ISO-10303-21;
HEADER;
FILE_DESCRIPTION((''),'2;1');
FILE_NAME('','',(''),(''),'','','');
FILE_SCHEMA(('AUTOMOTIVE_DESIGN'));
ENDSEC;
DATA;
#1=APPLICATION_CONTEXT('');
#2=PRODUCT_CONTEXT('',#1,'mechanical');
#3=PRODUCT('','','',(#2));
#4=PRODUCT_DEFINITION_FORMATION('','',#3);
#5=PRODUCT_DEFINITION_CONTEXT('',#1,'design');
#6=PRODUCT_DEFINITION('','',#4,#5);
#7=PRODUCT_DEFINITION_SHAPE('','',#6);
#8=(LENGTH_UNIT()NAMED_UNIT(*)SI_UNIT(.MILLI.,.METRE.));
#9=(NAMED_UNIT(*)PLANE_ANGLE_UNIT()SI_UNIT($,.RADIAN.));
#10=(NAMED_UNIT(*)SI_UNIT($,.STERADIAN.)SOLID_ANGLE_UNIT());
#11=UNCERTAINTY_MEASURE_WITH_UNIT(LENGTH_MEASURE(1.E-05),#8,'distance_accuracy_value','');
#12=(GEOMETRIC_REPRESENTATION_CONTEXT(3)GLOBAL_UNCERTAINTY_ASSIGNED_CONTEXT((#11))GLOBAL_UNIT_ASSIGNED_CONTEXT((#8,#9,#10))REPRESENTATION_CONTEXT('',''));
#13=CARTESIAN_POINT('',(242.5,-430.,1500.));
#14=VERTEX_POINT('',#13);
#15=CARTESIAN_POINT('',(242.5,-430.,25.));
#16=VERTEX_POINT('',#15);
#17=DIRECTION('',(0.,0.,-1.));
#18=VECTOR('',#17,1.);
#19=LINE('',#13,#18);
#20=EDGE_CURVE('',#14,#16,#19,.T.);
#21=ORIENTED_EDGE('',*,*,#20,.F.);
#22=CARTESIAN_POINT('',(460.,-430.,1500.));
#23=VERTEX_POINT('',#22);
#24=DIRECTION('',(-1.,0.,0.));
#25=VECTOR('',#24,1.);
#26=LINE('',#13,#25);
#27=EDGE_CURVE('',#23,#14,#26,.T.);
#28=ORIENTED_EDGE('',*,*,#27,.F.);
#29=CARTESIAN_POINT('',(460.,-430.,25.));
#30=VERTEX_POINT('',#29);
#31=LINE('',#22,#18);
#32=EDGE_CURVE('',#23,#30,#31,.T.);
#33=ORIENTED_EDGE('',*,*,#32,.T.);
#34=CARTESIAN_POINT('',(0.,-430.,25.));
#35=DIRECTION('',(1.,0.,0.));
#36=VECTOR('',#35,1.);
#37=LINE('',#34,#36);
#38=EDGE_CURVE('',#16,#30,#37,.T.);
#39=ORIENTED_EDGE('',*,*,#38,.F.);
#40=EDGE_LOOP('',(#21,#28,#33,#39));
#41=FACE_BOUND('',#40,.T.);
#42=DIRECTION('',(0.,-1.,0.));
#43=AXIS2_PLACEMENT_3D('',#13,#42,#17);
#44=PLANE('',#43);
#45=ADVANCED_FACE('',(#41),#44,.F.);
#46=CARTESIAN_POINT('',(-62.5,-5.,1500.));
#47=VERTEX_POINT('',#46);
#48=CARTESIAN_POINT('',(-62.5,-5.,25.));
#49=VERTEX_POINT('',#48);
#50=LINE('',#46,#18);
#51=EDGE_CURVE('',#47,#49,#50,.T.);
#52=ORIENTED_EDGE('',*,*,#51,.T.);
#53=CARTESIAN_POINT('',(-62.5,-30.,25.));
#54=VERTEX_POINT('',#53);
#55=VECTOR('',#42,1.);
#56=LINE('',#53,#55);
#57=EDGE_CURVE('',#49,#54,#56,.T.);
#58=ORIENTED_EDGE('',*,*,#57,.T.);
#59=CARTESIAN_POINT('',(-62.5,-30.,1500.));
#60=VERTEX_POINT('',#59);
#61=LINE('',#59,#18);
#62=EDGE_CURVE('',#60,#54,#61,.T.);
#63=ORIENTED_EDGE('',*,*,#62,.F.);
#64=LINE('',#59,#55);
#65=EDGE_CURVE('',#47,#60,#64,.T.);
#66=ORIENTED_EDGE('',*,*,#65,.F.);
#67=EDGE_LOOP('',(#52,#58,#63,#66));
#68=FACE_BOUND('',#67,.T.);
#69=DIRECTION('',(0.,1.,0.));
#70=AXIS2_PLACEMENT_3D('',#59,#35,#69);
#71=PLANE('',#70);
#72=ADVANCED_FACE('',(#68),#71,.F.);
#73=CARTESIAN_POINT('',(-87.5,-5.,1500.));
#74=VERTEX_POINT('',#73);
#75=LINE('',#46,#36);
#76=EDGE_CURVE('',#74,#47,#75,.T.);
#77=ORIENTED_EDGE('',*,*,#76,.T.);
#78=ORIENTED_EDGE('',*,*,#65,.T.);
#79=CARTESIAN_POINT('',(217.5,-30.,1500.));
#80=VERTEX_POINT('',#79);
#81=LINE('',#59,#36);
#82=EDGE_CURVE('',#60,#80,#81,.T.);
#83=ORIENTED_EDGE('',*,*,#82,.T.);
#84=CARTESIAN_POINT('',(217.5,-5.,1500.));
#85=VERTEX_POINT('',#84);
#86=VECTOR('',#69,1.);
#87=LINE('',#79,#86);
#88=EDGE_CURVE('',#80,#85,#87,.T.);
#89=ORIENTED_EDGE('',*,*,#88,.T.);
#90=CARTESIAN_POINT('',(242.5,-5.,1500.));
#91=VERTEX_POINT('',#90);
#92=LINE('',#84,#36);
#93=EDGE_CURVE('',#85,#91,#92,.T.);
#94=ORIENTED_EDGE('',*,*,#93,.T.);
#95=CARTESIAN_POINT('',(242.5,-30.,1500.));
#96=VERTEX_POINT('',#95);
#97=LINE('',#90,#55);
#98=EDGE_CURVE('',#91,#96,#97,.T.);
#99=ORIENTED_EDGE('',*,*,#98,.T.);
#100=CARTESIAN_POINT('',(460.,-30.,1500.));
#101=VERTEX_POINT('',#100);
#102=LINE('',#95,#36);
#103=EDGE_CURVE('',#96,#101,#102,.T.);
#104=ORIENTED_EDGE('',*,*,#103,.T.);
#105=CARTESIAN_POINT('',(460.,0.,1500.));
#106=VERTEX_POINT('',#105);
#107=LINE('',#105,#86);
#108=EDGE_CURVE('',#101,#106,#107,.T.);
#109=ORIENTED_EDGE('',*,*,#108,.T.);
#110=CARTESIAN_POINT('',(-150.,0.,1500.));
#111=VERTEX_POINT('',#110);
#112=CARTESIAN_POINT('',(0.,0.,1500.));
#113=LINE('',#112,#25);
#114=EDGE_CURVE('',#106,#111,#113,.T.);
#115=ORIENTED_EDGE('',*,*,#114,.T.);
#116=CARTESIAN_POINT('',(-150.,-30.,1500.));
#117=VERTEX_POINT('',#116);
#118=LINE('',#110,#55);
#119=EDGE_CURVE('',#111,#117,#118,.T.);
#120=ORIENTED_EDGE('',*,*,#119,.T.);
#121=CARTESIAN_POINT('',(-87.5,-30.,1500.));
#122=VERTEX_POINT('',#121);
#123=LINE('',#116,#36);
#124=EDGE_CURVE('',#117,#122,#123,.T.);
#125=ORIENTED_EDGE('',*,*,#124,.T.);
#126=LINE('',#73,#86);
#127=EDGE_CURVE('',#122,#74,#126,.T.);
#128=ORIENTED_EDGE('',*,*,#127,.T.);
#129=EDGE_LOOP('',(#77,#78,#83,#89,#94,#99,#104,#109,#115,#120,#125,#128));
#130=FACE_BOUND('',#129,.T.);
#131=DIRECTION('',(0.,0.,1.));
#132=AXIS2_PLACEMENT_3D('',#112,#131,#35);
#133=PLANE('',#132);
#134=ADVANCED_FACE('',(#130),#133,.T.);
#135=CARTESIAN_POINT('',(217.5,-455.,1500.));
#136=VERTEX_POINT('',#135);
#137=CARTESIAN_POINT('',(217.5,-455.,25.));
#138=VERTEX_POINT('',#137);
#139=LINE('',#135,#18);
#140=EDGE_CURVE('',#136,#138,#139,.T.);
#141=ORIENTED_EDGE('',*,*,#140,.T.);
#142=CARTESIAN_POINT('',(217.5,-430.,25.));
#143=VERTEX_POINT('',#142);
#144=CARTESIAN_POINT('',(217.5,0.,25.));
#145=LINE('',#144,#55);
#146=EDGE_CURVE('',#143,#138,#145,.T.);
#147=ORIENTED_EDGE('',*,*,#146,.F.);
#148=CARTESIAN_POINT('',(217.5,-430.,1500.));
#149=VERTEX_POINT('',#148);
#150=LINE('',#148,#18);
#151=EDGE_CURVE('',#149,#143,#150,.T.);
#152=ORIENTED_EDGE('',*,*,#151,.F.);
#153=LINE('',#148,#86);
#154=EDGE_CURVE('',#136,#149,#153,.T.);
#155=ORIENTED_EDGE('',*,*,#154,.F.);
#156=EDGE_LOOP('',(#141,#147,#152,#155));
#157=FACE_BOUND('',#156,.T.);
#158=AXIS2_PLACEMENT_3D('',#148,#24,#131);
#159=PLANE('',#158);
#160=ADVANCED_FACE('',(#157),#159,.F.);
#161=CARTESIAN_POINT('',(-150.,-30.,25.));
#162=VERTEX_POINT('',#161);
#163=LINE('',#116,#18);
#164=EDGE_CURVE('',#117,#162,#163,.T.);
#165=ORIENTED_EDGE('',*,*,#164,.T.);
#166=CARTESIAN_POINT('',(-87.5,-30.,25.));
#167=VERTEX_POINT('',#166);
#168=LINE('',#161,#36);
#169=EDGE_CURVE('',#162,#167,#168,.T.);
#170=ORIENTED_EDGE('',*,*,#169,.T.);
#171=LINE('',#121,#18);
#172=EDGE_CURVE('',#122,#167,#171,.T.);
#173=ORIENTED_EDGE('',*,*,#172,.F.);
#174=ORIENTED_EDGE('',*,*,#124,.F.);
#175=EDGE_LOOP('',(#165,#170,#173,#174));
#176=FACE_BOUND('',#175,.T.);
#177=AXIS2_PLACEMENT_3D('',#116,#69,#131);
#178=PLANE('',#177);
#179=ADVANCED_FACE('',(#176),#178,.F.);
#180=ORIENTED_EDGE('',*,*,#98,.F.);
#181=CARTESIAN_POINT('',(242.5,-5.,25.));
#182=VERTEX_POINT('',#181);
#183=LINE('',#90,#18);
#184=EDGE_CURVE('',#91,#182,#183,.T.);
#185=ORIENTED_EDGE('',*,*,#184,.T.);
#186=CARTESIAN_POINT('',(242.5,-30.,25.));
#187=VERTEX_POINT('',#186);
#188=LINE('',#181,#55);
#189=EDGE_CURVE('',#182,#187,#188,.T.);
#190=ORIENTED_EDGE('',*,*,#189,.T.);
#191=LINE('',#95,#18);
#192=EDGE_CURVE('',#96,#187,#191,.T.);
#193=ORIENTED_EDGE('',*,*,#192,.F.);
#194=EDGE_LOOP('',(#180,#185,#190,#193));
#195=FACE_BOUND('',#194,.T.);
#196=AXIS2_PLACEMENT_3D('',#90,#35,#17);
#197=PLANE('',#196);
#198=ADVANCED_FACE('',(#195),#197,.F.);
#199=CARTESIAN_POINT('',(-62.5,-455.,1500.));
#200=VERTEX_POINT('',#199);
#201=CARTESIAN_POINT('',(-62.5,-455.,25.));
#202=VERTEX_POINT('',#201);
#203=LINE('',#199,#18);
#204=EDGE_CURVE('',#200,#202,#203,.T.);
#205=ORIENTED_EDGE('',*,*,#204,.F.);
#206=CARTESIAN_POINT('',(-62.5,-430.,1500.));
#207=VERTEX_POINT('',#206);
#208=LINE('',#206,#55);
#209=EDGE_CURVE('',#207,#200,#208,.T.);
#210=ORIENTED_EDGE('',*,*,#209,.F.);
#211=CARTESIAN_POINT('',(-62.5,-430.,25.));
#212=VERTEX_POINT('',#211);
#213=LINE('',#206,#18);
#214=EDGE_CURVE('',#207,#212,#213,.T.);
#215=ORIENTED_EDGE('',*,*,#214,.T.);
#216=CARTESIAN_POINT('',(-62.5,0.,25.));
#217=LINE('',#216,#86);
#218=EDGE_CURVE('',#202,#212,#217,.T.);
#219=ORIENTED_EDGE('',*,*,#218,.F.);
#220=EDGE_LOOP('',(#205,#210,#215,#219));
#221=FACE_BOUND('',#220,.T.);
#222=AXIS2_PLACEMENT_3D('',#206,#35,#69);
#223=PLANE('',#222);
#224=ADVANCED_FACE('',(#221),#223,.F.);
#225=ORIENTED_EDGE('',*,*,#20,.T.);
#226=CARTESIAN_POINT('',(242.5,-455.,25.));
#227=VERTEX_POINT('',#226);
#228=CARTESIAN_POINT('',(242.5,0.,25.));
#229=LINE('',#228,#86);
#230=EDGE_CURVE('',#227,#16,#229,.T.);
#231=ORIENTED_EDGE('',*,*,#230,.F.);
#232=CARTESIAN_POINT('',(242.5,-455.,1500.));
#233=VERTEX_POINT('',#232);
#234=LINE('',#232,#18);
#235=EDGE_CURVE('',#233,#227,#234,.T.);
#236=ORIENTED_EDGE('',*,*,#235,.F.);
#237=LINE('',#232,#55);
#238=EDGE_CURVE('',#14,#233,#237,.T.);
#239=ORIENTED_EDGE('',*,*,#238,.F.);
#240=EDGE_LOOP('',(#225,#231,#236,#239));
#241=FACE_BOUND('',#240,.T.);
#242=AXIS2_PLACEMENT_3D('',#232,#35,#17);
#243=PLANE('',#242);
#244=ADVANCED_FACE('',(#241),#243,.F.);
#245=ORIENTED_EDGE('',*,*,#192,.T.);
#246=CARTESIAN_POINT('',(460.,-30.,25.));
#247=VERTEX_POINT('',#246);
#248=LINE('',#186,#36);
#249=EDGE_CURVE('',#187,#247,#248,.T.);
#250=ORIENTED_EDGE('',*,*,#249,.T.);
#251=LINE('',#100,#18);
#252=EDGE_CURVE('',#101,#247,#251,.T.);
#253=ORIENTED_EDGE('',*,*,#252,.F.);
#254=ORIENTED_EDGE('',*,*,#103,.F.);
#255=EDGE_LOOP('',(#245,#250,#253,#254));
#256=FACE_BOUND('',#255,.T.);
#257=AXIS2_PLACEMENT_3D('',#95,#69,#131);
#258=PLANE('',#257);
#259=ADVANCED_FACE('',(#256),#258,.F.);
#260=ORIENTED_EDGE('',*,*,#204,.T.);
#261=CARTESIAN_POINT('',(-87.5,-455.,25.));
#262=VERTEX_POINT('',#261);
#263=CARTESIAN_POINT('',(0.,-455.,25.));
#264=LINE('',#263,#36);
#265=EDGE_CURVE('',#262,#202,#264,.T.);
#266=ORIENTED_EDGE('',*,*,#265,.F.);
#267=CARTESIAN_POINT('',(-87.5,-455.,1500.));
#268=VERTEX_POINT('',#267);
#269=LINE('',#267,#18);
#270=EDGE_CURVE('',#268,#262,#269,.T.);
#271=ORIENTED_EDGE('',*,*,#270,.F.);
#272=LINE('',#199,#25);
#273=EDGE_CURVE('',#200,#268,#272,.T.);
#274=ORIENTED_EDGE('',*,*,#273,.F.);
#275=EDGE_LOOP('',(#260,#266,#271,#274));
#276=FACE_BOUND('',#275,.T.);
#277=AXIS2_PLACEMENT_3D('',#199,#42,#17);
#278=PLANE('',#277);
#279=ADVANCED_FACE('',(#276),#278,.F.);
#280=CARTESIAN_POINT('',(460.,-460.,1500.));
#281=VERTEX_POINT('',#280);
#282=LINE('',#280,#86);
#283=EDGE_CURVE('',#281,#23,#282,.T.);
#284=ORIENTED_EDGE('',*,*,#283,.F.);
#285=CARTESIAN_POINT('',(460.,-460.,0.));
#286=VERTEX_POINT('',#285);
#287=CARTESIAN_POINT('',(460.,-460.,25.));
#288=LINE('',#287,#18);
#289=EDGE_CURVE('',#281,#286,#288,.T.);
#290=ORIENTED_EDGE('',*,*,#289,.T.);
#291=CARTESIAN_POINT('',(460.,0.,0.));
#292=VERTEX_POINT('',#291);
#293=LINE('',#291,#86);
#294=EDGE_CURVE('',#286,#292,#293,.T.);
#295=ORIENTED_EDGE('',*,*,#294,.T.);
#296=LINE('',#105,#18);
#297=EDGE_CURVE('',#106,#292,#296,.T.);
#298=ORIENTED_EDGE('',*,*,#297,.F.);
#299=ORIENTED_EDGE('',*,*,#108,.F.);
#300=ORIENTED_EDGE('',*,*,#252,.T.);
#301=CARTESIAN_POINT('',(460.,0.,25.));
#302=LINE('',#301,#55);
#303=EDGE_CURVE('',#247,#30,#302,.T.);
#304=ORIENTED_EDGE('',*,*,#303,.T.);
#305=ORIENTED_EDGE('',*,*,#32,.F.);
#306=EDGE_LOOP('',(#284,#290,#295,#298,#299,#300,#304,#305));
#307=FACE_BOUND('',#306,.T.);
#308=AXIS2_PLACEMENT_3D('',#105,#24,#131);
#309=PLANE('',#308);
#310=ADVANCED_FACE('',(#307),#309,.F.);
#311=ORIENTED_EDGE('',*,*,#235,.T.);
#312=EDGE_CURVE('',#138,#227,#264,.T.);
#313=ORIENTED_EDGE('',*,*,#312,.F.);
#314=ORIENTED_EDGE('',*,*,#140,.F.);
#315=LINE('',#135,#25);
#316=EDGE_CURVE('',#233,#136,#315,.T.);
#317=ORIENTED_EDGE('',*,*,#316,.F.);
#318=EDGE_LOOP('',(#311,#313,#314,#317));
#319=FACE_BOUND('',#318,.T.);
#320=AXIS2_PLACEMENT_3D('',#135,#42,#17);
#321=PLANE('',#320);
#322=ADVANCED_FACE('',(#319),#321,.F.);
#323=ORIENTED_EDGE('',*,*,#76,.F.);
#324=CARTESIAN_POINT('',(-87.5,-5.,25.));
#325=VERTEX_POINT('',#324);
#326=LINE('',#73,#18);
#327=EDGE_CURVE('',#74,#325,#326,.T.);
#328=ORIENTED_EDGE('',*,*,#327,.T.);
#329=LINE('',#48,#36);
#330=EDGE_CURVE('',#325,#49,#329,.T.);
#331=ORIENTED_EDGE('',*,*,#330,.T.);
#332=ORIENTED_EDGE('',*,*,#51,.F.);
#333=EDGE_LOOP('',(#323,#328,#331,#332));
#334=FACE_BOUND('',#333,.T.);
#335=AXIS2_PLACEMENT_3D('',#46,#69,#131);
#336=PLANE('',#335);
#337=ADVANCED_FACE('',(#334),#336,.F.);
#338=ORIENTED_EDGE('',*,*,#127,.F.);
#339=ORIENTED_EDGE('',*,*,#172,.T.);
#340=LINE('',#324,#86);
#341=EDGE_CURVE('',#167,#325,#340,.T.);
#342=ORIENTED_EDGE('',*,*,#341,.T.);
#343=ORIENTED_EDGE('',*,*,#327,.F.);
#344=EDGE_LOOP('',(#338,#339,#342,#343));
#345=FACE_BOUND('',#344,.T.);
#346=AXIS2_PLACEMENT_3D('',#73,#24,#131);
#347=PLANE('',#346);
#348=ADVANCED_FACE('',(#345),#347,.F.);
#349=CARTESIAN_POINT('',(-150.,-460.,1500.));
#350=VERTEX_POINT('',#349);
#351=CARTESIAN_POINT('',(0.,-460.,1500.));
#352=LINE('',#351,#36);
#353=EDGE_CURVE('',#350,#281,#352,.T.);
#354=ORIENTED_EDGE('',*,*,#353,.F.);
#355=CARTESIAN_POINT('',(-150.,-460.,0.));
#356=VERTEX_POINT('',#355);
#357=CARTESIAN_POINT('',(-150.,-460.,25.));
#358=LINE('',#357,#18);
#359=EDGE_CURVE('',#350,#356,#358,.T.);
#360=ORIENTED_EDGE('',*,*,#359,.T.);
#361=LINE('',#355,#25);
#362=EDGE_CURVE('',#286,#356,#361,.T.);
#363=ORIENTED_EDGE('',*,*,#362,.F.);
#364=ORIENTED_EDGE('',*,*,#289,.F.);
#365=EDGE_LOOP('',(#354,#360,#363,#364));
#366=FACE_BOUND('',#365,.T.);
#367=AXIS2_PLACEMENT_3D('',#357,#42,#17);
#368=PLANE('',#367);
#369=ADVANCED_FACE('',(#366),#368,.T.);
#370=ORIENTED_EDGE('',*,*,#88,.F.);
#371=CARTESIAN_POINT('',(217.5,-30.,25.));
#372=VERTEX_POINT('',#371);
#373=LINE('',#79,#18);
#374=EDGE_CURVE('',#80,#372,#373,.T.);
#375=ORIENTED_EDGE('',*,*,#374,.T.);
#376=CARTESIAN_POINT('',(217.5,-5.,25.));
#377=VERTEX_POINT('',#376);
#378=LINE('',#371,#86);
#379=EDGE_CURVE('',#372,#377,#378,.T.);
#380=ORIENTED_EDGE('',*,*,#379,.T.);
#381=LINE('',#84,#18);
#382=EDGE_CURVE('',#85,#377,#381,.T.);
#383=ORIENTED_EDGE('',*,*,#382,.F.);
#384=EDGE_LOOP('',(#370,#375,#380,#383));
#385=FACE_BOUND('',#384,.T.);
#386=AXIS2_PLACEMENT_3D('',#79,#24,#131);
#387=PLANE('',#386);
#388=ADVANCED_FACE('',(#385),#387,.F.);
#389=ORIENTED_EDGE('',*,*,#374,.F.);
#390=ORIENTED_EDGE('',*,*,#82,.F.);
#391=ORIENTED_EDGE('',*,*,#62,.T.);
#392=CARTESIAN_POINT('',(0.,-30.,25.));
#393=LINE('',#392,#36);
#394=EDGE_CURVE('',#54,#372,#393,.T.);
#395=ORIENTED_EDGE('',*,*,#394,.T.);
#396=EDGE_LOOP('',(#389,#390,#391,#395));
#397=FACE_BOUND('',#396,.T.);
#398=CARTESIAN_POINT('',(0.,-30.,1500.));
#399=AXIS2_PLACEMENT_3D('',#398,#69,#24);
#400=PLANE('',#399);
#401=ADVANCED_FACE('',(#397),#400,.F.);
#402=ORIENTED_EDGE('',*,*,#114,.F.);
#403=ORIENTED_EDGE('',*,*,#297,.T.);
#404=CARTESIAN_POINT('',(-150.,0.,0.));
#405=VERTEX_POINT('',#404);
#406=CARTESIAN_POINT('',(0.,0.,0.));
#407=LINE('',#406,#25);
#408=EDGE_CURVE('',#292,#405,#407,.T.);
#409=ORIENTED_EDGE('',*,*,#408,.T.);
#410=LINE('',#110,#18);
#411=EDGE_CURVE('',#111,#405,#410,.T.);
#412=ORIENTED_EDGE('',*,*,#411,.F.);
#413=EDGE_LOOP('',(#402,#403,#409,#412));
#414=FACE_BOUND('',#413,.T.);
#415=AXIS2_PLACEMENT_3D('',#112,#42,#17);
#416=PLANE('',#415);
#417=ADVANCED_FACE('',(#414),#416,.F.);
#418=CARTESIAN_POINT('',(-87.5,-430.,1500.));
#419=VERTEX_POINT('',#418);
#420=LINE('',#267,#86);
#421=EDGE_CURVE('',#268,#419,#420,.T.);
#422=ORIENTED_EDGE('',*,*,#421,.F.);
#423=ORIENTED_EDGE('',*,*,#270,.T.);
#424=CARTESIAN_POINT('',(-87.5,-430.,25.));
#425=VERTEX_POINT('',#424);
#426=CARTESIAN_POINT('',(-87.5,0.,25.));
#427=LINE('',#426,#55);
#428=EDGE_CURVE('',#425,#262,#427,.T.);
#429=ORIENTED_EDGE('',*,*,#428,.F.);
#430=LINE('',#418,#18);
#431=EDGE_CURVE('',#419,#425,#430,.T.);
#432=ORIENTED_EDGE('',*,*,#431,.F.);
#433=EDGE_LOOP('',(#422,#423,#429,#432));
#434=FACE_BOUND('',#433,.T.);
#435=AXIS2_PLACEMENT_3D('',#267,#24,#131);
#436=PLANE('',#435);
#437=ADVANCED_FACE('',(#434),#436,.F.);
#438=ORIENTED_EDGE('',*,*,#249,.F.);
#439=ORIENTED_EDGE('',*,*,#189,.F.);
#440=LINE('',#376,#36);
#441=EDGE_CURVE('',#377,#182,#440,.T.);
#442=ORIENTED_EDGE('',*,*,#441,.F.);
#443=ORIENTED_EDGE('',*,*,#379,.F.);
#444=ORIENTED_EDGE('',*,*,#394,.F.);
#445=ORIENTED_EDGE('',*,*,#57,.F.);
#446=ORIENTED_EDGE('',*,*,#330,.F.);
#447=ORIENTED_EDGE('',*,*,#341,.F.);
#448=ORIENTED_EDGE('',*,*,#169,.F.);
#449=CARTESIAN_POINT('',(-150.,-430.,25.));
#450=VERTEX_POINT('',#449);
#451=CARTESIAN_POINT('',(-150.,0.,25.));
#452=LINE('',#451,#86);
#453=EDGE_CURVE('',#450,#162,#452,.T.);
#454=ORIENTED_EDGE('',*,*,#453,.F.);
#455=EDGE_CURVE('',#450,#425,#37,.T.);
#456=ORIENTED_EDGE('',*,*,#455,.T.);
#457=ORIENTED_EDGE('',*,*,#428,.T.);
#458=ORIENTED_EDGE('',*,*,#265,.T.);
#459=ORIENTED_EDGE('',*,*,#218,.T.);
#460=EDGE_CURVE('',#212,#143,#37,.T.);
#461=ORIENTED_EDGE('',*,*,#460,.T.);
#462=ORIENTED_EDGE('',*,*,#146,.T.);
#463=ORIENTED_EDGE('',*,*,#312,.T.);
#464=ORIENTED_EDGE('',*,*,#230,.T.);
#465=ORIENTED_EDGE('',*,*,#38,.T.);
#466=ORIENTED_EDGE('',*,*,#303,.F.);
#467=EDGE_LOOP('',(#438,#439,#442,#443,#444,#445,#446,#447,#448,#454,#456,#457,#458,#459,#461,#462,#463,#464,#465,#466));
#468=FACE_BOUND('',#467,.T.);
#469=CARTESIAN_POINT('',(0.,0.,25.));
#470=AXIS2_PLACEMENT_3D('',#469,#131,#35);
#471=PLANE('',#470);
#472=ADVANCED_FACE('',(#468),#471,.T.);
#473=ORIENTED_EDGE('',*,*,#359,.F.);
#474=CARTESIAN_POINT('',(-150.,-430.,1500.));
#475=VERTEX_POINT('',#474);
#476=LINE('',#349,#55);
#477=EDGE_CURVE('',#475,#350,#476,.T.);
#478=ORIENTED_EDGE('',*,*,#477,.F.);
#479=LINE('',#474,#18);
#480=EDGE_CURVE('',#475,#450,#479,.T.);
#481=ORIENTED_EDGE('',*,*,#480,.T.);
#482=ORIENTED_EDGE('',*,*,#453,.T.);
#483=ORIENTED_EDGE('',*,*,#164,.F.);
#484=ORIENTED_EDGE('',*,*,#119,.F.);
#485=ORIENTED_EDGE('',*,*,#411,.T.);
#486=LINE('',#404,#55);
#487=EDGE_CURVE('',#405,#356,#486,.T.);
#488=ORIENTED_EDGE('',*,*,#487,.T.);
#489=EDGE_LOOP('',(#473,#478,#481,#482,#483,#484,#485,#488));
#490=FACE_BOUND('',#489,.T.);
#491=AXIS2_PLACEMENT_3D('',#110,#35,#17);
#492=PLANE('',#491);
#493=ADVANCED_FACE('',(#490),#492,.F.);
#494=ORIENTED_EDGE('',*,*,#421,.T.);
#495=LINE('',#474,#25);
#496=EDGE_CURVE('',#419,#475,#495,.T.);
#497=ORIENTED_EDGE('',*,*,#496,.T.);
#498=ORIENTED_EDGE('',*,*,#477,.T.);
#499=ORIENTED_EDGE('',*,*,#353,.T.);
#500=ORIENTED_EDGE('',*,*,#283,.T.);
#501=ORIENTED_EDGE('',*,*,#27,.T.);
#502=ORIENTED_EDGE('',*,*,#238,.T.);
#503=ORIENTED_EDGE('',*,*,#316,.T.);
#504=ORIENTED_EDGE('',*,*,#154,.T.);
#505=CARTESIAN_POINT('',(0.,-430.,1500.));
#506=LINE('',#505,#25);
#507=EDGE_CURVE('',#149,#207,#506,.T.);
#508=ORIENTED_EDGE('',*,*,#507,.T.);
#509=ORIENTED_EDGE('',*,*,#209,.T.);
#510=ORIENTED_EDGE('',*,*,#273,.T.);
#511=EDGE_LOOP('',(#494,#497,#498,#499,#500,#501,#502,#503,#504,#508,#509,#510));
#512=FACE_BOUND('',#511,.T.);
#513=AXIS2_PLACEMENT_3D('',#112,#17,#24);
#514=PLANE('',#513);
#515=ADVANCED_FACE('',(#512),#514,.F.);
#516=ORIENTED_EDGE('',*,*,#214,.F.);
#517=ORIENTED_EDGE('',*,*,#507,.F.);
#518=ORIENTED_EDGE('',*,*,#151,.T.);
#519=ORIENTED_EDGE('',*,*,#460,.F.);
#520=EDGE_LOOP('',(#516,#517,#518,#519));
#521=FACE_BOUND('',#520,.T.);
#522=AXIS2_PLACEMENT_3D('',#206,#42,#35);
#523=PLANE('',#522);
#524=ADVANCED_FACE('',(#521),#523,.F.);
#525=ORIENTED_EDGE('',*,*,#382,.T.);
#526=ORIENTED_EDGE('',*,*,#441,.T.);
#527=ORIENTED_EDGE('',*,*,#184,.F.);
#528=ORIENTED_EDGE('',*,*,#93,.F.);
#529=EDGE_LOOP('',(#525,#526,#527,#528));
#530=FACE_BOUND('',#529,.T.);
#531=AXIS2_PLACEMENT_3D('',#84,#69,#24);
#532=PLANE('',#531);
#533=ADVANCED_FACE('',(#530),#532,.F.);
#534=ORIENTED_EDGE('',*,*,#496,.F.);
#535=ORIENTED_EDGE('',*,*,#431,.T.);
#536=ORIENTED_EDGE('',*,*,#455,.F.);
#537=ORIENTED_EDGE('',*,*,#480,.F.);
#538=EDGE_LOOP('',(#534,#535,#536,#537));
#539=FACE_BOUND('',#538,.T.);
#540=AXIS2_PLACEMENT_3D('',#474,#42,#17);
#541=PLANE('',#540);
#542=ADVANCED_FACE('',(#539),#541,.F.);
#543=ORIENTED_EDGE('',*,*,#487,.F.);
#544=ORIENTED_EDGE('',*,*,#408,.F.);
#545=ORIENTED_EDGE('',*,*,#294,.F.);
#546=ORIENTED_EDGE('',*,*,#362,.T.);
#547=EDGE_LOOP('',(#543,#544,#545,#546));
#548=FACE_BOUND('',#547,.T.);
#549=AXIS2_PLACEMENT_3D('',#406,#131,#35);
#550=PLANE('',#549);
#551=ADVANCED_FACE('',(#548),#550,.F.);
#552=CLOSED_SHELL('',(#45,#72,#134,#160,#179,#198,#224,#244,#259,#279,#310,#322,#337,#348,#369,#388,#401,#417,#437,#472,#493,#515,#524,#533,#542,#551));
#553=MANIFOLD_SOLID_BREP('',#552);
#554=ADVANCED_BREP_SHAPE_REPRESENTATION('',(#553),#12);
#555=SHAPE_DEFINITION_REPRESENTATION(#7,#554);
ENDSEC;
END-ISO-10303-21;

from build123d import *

# Parameters (mm, degrees)
BOSS_EXTRUDE1_DEPTH   = 1500
BOSS_EXTRUDE1_2_DEPTH = 1500
SKETCH5_W             = 610
SKETCH5_H             = 460
BOSS_EXTRUDE5_DEPTH   = 25


with BuildPart() as part:
    # Sketch1 → Boss-Extrude1 (new body)
    with BuildSketch(Plane.XY):
        Polygon((0, -30), (217.5, -30), (217.5, -5), (242.5, -5), (242.5, -30), (460, -30), (460, 0), (0, 0), (-150, 0), (-150, -30), (-87.5, -30), (-87.5, -5), (-62.5, -5), (-62.5, -30), align=None)
    extrude(amount=BOSS_EXTRUDE1_DEPTH)



with BuildPart() as body_2:
    # Sketch1 → Boss-Extrude1 2 (new body)
    with BuildSketch(Plane.XY):
        Polygon((-62.5, -430), (0, -430), (217.5, -430), (217.5, -455), (242.5, -455), (242.5, -430), (460, -430), (460, -460), (0, -460), (-150, -460), (-150, -430), (-87.5, -430), (-87.5, -455), (-62.5, -455), align=None)
    extrude(amount=BOSS_EXTRUDE1_2_DEPTH)


with BuildPart() as part_1:
    add(part.part)

    add(body_2.part)  # Boss-Extrude5 merges body 2
    # Sketch5 → Boss-Extrude5 (add)
    with BuildSketch(Plane(origin=(0, 0, 0), x_dir=(-1, 0, 0), z_dir=(0, 0, -1))):
        with Locations((-155, -230)):
            Rectangle(SKETCH5_W, SKETCH5_H)
    extrude(amount=-BOSS_EXTRUDE5_DEPTH)


solid = part_1.part
